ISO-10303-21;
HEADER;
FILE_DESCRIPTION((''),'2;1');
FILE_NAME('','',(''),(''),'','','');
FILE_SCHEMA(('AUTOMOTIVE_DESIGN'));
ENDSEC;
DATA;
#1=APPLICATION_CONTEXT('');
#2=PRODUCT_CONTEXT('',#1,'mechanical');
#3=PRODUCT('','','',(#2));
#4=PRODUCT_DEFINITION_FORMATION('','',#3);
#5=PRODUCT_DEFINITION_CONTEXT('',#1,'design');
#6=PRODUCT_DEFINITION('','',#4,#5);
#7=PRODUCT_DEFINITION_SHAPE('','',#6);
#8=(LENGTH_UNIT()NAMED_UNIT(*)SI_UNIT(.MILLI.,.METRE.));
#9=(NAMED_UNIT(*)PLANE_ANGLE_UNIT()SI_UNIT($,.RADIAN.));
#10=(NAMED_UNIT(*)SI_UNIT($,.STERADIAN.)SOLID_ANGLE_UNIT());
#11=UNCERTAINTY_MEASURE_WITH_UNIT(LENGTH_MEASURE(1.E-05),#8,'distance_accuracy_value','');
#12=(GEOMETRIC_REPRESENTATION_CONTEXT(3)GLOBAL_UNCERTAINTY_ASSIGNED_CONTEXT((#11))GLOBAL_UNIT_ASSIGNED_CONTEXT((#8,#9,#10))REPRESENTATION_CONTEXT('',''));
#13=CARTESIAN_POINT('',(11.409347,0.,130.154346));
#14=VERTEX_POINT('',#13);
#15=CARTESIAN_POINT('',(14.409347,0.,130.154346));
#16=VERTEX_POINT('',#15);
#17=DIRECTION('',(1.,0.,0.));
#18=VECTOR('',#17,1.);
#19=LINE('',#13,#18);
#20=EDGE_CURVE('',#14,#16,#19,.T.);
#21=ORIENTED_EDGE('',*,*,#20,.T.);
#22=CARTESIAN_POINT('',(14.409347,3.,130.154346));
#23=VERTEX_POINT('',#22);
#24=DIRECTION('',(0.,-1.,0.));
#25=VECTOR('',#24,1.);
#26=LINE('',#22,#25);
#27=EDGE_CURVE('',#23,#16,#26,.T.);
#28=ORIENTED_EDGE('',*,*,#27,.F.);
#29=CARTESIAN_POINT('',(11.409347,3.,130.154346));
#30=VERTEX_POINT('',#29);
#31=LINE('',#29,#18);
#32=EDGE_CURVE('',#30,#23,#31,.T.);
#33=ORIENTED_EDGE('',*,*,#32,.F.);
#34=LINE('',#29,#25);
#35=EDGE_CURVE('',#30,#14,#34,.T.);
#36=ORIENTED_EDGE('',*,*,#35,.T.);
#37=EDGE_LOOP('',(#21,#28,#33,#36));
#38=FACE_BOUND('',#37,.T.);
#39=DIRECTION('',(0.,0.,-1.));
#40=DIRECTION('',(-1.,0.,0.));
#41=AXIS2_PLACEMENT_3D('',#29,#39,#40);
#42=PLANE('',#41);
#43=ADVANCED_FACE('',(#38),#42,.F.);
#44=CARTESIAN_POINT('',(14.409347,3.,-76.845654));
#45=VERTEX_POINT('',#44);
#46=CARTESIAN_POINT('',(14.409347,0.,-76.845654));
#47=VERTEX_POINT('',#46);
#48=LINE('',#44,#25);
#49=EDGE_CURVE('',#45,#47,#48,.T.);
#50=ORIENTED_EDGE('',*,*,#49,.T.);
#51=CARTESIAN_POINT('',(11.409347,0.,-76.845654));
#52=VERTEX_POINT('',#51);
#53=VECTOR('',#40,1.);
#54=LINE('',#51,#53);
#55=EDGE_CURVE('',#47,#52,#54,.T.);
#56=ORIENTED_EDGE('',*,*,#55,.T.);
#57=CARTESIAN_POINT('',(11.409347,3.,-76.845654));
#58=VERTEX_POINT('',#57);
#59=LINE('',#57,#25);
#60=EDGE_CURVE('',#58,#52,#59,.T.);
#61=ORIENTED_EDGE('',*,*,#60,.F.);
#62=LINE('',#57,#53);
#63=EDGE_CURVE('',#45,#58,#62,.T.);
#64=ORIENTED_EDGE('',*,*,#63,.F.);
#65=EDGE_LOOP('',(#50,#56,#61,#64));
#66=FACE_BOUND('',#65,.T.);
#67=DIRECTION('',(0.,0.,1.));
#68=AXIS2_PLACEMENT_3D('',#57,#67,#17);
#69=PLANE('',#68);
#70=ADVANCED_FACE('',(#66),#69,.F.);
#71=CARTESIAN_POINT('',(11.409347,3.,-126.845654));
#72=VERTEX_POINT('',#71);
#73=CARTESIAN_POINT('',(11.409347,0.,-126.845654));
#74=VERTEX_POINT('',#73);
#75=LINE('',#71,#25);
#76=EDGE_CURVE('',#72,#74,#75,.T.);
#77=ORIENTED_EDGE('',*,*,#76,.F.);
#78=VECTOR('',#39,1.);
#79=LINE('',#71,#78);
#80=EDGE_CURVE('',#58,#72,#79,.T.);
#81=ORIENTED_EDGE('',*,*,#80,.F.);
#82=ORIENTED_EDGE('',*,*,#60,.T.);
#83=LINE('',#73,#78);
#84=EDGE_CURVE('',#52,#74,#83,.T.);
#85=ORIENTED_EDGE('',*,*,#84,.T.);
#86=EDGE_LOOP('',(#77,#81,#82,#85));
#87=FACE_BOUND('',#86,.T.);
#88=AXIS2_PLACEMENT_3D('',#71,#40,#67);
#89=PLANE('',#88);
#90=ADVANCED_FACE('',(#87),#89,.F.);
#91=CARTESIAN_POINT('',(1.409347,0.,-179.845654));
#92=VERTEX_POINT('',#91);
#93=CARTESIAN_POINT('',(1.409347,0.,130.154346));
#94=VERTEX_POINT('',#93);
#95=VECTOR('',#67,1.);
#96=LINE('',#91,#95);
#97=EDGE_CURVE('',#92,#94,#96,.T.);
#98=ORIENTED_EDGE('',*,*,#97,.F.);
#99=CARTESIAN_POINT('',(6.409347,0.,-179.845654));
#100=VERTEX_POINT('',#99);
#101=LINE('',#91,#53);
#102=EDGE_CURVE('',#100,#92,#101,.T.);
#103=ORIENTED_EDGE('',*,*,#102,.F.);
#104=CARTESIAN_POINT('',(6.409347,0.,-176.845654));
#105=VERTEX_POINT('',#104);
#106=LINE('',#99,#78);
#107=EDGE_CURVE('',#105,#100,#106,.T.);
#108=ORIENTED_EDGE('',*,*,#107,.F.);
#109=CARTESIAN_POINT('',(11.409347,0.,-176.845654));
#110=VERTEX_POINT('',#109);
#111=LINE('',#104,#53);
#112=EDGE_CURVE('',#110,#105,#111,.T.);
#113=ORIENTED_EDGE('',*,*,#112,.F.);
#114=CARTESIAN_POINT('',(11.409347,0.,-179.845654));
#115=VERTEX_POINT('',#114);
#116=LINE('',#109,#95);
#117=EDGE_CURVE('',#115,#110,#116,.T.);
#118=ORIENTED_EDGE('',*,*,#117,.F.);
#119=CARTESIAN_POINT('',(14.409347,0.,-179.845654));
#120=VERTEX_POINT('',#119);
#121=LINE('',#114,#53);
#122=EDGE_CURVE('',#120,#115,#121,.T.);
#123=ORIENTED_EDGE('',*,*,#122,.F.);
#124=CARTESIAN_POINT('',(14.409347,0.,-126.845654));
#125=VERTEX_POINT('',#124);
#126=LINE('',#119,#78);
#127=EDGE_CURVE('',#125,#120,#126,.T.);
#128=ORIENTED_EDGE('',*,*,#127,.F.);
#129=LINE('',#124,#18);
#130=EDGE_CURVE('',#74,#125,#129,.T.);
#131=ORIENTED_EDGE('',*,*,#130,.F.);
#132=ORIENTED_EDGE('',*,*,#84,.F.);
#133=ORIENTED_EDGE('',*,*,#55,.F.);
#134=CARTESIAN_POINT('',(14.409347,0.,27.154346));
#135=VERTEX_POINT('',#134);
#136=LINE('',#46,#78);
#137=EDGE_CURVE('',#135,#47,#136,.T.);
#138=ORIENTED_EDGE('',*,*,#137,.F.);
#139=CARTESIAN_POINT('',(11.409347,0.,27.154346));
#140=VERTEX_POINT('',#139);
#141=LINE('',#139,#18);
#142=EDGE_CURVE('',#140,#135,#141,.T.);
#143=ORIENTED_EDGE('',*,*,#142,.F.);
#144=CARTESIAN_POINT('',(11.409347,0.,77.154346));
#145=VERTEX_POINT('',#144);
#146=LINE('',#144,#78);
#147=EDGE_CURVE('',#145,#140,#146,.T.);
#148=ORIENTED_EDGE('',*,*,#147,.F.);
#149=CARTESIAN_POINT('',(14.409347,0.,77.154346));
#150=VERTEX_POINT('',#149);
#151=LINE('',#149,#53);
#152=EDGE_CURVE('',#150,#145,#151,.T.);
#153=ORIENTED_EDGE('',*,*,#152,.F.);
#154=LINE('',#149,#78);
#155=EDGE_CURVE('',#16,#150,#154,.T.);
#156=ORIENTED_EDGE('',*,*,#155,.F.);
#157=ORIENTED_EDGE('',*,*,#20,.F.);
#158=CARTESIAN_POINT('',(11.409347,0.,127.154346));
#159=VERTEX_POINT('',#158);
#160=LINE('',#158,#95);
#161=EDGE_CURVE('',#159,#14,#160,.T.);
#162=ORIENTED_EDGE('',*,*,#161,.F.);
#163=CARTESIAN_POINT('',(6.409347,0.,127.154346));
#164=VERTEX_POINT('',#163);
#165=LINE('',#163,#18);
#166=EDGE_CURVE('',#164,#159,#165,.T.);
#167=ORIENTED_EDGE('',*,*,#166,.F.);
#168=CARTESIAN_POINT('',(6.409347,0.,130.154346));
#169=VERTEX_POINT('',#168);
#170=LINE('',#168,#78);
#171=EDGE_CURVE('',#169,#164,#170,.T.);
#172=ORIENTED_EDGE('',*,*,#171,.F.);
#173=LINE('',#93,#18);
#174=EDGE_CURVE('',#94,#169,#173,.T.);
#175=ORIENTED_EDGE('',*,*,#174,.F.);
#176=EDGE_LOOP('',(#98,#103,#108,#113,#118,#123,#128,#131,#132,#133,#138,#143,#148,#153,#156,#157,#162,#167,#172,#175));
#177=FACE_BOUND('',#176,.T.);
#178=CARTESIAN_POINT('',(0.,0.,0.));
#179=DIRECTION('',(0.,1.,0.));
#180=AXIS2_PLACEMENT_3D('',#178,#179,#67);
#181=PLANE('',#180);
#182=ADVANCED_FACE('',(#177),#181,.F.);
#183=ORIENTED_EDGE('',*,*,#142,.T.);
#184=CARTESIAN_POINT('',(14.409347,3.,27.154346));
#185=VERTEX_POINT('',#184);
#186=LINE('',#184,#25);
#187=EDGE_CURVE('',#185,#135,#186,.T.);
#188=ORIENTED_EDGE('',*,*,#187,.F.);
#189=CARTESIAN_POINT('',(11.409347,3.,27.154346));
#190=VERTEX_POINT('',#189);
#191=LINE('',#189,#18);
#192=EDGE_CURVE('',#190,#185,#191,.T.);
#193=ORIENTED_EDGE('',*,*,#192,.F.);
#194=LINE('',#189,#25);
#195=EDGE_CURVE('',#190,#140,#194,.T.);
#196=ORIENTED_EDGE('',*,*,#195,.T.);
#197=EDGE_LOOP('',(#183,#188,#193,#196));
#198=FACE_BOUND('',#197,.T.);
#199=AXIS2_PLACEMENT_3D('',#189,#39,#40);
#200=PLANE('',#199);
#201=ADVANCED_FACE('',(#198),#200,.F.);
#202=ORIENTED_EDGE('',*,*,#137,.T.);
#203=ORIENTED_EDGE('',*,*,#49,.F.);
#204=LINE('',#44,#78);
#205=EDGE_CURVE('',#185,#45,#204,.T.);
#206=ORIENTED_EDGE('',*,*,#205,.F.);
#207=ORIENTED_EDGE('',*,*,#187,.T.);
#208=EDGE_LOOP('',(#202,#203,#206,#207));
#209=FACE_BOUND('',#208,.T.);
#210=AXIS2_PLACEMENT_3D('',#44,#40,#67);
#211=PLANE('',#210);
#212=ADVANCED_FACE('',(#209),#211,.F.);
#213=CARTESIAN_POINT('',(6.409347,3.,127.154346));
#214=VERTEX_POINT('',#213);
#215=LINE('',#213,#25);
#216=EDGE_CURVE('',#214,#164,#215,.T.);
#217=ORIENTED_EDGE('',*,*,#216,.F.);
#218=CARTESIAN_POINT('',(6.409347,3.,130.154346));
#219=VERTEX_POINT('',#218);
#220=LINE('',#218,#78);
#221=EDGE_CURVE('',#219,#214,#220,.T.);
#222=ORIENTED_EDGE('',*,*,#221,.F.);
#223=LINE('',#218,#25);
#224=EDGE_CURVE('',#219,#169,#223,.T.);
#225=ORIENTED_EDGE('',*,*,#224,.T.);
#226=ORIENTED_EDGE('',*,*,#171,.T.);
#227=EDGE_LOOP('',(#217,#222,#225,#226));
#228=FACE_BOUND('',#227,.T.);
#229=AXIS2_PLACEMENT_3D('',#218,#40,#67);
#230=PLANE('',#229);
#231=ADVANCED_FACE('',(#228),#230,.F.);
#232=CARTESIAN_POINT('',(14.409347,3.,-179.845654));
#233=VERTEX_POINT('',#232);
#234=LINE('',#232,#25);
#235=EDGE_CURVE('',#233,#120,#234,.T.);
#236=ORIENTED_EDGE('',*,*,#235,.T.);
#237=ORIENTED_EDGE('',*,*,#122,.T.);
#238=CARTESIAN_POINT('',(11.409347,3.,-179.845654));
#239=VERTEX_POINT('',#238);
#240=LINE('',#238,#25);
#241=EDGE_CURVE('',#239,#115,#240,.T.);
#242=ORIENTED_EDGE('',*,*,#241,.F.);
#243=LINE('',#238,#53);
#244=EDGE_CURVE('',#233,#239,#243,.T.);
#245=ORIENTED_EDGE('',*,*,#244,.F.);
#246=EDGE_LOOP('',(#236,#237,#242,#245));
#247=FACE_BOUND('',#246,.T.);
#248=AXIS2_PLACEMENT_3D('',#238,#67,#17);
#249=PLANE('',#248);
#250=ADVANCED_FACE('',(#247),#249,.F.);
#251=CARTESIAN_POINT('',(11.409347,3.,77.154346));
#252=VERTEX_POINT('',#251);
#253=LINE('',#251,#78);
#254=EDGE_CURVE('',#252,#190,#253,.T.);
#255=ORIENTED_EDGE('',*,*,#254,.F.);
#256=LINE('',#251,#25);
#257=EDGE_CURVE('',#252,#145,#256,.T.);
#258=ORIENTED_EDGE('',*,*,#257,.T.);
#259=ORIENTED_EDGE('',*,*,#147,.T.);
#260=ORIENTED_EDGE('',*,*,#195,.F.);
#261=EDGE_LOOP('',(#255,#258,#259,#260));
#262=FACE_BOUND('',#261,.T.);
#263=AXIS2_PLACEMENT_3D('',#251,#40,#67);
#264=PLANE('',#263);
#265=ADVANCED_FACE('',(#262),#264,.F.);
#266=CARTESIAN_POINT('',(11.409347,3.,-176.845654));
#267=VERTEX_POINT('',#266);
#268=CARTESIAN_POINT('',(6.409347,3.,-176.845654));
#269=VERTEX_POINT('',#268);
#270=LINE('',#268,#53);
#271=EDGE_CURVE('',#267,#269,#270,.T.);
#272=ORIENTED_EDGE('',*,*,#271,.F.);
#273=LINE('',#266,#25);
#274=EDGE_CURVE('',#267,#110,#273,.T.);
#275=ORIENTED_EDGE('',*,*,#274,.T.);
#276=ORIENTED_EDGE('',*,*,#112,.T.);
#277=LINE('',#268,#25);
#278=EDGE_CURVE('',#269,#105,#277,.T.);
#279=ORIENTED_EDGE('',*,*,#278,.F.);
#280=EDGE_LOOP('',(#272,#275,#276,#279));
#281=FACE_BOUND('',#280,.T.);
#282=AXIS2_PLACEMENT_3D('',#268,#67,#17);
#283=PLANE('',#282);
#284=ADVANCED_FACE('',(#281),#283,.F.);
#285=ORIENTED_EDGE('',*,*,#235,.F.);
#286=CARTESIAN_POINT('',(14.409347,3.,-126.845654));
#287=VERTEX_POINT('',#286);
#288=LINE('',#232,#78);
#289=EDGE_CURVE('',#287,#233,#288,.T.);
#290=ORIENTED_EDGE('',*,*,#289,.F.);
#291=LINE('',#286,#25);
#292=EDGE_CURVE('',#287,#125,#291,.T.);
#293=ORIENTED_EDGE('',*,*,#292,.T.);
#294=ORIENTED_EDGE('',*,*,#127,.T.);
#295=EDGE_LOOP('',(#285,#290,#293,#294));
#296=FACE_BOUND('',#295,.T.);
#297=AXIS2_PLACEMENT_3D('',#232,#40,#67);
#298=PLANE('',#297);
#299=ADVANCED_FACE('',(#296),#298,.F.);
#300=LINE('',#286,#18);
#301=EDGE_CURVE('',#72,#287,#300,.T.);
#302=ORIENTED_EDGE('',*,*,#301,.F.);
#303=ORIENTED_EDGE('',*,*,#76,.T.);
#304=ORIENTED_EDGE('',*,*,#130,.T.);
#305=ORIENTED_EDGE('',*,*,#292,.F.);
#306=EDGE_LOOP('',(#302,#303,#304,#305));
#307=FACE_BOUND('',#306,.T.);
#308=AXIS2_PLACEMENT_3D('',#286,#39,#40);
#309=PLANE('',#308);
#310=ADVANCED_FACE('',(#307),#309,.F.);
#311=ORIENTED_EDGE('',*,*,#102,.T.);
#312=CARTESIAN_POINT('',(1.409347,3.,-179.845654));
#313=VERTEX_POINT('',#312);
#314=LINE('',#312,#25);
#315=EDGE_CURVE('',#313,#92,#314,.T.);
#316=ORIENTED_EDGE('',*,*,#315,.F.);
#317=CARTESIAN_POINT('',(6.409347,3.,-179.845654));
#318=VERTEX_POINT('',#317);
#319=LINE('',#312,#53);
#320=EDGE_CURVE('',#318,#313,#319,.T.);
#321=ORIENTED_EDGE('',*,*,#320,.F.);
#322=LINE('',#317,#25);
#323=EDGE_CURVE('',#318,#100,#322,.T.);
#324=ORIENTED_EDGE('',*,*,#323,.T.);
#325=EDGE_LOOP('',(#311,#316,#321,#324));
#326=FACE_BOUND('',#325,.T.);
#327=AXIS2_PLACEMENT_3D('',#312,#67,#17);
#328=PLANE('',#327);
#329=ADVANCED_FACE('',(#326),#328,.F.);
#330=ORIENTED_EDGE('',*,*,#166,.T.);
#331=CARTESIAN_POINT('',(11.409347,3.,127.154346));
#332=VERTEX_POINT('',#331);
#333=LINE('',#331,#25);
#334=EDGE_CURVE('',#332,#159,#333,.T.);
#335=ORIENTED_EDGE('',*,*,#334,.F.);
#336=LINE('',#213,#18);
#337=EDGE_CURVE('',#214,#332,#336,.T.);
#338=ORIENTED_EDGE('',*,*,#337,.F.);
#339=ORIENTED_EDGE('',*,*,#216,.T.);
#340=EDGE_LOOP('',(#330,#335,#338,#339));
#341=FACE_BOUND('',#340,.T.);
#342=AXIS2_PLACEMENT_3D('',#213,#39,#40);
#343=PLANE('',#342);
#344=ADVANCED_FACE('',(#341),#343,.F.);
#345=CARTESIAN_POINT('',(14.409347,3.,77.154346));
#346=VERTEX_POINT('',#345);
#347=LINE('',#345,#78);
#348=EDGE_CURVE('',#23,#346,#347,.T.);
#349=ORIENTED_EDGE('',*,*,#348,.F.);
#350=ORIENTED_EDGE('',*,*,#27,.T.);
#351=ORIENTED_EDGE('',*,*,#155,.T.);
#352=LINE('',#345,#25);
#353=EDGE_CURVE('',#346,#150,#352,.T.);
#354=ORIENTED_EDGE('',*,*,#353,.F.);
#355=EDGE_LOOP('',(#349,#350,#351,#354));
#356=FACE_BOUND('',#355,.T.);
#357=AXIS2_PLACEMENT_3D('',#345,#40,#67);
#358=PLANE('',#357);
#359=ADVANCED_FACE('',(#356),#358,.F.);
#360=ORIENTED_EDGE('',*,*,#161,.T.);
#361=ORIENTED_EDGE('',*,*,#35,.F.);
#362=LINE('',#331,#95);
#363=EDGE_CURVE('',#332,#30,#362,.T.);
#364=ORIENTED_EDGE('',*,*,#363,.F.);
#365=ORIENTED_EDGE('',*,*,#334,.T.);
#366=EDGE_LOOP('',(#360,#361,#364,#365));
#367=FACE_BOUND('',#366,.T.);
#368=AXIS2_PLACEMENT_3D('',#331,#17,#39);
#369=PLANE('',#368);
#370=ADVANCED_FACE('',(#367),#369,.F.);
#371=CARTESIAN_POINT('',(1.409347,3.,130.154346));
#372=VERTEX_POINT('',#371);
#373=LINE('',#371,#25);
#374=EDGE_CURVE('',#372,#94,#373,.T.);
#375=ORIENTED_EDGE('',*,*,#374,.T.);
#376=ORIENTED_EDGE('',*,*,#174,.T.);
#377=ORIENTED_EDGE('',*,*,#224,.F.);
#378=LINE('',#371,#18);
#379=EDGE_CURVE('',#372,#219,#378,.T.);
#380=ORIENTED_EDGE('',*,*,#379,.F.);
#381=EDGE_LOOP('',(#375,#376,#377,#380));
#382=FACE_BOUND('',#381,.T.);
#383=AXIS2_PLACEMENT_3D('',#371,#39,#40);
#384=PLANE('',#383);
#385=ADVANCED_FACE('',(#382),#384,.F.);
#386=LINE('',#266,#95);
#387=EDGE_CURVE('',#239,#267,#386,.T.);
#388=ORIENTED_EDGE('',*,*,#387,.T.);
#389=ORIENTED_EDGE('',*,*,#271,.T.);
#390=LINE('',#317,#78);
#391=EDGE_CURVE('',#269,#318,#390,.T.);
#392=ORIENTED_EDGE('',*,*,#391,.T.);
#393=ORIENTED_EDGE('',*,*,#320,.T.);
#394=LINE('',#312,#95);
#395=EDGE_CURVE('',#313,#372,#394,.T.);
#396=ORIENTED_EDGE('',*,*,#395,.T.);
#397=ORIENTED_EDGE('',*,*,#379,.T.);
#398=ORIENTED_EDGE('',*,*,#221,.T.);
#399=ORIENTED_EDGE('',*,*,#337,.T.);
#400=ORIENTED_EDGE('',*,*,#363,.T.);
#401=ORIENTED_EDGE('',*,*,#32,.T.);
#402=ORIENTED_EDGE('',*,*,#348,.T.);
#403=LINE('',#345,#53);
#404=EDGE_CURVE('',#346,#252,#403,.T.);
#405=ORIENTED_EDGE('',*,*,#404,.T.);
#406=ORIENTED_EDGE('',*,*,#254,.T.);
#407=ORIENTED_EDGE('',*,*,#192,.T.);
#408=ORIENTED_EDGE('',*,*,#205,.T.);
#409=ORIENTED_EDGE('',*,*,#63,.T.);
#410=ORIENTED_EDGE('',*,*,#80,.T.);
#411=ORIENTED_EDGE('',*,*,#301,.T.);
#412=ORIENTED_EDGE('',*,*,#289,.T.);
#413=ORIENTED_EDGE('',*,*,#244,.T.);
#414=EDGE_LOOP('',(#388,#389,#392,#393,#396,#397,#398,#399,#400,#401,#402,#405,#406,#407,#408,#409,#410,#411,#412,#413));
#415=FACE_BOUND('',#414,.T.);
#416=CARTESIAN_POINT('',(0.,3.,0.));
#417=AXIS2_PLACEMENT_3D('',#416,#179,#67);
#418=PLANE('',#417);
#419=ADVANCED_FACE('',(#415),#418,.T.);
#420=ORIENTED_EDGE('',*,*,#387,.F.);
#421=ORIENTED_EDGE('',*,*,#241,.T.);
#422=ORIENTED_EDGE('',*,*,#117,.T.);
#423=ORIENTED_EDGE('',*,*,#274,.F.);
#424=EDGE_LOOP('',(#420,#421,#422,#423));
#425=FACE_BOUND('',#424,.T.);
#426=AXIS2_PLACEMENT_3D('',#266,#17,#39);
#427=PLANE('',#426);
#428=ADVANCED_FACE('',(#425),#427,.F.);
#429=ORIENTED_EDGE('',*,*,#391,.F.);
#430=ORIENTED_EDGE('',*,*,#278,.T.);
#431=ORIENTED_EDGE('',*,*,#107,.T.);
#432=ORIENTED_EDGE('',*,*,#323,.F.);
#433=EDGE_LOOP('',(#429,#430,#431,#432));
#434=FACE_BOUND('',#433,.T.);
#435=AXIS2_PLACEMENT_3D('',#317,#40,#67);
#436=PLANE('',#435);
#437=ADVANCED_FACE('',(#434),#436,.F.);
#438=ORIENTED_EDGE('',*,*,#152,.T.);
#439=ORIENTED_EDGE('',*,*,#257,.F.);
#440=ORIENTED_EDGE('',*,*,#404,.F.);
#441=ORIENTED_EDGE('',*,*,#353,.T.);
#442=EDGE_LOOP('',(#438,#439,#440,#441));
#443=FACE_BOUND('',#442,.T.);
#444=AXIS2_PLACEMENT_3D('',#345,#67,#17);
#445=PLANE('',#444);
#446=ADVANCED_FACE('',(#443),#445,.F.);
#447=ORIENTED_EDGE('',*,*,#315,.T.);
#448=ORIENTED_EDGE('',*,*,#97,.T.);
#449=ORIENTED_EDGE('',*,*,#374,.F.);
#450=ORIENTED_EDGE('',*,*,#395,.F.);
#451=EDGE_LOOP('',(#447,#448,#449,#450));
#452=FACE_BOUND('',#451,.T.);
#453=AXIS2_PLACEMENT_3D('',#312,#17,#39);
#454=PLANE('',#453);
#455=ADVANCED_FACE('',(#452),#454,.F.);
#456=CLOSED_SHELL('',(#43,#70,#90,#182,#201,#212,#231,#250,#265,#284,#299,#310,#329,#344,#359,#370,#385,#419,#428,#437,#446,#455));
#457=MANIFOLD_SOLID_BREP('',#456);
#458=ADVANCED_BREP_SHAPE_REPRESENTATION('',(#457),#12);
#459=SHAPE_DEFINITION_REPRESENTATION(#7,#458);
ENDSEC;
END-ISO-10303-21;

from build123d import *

# Parameters (mm, degrees)
EXTRUDE_1_DEPTH = 3


with BuildPart() as part:
    # 스케치1 → 보스-돌출1 (new body)
    with BuildSketch(Plane(origin=(0, 0, 0), x_dir=(1, 0, 0), z_dir=(0, 1, 0))):
        Polygon((6.409346895, -130.15434598), (6.409346895, -127.15434598), (11.409346895, -127.15434598), (11.409346895, -130.15434598), (14.409346895, -130.15434598), (14.409346895, -77.15434598), (11.409346895, -77.15434598), (11.409346895, -27.15434598), (14.409346895, -27.15434598), (14.409346895, 76.84565402), (11.409346895, 76.84565402), (11.409346895, 126.84565402), (14.409346895, 126.84565402), (14.409346895, 179.84565402), (11.409346895, 179.84565402), (11.409346895, 176.84565402), (6.409346895, 176.84565402), (6.409346895, 179.84565402), (1.409346895, 179.84565402), (1.409346895, -130.15434598), align=None)
    extrude(amount=EXTRUDE_1_DEPTH)


solid = part.part
